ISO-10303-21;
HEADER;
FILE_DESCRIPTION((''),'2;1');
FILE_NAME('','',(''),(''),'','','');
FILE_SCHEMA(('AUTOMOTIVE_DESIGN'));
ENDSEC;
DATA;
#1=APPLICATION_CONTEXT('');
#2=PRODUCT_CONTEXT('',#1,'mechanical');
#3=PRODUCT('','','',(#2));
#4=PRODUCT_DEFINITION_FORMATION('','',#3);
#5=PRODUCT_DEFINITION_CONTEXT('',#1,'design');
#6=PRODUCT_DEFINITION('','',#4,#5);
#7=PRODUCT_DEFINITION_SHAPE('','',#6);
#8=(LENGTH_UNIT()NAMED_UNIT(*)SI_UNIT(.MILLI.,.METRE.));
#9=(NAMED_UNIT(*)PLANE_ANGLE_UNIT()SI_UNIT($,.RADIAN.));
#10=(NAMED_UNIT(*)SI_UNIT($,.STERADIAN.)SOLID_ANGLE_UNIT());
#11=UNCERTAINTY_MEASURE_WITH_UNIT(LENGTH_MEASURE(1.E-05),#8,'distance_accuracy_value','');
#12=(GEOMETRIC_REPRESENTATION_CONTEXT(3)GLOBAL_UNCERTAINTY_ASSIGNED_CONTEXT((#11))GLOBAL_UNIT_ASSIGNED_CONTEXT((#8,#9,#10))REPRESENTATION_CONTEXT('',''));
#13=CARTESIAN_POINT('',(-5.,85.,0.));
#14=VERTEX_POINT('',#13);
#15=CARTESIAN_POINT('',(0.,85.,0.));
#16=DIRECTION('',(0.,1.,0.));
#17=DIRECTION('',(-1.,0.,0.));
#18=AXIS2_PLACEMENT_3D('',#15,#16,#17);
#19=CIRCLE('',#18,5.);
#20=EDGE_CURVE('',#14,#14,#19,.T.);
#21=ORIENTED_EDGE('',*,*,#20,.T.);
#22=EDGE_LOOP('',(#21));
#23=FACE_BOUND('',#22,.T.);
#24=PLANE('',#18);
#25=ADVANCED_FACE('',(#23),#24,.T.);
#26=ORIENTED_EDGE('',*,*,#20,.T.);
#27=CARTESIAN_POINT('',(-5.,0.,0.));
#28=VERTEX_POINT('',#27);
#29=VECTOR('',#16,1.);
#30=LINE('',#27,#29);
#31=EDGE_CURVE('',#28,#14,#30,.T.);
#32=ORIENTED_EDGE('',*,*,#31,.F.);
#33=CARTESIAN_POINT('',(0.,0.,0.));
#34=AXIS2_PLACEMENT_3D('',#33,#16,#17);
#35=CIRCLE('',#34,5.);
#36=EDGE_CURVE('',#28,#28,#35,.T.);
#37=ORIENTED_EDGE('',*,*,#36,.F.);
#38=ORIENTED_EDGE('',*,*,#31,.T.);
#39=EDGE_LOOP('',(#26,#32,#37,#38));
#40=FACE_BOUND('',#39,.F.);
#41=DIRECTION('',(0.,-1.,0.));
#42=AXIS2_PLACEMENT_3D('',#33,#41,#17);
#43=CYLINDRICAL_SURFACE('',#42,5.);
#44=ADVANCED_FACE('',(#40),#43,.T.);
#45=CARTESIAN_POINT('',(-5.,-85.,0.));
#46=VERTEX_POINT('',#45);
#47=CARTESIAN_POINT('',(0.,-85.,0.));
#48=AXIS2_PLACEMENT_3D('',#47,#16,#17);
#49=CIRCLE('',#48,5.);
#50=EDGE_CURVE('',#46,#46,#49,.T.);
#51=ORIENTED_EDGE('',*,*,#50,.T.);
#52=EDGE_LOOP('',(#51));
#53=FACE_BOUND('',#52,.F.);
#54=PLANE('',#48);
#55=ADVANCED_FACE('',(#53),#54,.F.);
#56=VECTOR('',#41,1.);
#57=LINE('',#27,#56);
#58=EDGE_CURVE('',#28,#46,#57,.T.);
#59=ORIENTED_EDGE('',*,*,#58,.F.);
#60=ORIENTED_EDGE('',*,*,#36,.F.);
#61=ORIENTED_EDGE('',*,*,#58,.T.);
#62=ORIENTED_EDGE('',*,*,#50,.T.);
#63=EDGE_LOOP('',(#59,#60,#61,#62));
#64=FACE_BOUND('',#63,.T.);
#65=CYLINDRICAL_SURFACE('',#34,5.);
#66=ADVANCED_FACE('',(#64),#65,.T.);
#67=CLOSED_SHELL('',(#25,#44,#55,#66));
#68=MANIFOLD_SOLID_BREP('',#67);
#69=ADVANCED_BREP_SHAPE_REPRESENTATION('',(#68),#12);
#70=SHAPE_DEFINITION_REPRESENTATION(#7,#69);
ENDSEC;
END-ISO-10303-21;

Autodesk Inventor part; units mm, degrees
ref_plane "YZ Plane" through (0, 0, 0) normal (1, 0, 0) x (0, 1, 0)
ref_plane "XZ Plane" through (0, 0, 0) normal (0, 1, 0) x (-1, 0, 0)
ref_plane "XY Plane" through (0, 0, 0) normal (0, 0, 1) x (1, 0, 0)
sketch "Sketch1" plane through (0, 0, 0) normal (0, 1, 0) x (-1, 0, 0)
  circle A0 centre (0, 0) radius 5
  dimension "d0" = 10
extrude "Extrusion1" add sketch "Sketch1" along normal mid plane 170
properties part number "axel"
